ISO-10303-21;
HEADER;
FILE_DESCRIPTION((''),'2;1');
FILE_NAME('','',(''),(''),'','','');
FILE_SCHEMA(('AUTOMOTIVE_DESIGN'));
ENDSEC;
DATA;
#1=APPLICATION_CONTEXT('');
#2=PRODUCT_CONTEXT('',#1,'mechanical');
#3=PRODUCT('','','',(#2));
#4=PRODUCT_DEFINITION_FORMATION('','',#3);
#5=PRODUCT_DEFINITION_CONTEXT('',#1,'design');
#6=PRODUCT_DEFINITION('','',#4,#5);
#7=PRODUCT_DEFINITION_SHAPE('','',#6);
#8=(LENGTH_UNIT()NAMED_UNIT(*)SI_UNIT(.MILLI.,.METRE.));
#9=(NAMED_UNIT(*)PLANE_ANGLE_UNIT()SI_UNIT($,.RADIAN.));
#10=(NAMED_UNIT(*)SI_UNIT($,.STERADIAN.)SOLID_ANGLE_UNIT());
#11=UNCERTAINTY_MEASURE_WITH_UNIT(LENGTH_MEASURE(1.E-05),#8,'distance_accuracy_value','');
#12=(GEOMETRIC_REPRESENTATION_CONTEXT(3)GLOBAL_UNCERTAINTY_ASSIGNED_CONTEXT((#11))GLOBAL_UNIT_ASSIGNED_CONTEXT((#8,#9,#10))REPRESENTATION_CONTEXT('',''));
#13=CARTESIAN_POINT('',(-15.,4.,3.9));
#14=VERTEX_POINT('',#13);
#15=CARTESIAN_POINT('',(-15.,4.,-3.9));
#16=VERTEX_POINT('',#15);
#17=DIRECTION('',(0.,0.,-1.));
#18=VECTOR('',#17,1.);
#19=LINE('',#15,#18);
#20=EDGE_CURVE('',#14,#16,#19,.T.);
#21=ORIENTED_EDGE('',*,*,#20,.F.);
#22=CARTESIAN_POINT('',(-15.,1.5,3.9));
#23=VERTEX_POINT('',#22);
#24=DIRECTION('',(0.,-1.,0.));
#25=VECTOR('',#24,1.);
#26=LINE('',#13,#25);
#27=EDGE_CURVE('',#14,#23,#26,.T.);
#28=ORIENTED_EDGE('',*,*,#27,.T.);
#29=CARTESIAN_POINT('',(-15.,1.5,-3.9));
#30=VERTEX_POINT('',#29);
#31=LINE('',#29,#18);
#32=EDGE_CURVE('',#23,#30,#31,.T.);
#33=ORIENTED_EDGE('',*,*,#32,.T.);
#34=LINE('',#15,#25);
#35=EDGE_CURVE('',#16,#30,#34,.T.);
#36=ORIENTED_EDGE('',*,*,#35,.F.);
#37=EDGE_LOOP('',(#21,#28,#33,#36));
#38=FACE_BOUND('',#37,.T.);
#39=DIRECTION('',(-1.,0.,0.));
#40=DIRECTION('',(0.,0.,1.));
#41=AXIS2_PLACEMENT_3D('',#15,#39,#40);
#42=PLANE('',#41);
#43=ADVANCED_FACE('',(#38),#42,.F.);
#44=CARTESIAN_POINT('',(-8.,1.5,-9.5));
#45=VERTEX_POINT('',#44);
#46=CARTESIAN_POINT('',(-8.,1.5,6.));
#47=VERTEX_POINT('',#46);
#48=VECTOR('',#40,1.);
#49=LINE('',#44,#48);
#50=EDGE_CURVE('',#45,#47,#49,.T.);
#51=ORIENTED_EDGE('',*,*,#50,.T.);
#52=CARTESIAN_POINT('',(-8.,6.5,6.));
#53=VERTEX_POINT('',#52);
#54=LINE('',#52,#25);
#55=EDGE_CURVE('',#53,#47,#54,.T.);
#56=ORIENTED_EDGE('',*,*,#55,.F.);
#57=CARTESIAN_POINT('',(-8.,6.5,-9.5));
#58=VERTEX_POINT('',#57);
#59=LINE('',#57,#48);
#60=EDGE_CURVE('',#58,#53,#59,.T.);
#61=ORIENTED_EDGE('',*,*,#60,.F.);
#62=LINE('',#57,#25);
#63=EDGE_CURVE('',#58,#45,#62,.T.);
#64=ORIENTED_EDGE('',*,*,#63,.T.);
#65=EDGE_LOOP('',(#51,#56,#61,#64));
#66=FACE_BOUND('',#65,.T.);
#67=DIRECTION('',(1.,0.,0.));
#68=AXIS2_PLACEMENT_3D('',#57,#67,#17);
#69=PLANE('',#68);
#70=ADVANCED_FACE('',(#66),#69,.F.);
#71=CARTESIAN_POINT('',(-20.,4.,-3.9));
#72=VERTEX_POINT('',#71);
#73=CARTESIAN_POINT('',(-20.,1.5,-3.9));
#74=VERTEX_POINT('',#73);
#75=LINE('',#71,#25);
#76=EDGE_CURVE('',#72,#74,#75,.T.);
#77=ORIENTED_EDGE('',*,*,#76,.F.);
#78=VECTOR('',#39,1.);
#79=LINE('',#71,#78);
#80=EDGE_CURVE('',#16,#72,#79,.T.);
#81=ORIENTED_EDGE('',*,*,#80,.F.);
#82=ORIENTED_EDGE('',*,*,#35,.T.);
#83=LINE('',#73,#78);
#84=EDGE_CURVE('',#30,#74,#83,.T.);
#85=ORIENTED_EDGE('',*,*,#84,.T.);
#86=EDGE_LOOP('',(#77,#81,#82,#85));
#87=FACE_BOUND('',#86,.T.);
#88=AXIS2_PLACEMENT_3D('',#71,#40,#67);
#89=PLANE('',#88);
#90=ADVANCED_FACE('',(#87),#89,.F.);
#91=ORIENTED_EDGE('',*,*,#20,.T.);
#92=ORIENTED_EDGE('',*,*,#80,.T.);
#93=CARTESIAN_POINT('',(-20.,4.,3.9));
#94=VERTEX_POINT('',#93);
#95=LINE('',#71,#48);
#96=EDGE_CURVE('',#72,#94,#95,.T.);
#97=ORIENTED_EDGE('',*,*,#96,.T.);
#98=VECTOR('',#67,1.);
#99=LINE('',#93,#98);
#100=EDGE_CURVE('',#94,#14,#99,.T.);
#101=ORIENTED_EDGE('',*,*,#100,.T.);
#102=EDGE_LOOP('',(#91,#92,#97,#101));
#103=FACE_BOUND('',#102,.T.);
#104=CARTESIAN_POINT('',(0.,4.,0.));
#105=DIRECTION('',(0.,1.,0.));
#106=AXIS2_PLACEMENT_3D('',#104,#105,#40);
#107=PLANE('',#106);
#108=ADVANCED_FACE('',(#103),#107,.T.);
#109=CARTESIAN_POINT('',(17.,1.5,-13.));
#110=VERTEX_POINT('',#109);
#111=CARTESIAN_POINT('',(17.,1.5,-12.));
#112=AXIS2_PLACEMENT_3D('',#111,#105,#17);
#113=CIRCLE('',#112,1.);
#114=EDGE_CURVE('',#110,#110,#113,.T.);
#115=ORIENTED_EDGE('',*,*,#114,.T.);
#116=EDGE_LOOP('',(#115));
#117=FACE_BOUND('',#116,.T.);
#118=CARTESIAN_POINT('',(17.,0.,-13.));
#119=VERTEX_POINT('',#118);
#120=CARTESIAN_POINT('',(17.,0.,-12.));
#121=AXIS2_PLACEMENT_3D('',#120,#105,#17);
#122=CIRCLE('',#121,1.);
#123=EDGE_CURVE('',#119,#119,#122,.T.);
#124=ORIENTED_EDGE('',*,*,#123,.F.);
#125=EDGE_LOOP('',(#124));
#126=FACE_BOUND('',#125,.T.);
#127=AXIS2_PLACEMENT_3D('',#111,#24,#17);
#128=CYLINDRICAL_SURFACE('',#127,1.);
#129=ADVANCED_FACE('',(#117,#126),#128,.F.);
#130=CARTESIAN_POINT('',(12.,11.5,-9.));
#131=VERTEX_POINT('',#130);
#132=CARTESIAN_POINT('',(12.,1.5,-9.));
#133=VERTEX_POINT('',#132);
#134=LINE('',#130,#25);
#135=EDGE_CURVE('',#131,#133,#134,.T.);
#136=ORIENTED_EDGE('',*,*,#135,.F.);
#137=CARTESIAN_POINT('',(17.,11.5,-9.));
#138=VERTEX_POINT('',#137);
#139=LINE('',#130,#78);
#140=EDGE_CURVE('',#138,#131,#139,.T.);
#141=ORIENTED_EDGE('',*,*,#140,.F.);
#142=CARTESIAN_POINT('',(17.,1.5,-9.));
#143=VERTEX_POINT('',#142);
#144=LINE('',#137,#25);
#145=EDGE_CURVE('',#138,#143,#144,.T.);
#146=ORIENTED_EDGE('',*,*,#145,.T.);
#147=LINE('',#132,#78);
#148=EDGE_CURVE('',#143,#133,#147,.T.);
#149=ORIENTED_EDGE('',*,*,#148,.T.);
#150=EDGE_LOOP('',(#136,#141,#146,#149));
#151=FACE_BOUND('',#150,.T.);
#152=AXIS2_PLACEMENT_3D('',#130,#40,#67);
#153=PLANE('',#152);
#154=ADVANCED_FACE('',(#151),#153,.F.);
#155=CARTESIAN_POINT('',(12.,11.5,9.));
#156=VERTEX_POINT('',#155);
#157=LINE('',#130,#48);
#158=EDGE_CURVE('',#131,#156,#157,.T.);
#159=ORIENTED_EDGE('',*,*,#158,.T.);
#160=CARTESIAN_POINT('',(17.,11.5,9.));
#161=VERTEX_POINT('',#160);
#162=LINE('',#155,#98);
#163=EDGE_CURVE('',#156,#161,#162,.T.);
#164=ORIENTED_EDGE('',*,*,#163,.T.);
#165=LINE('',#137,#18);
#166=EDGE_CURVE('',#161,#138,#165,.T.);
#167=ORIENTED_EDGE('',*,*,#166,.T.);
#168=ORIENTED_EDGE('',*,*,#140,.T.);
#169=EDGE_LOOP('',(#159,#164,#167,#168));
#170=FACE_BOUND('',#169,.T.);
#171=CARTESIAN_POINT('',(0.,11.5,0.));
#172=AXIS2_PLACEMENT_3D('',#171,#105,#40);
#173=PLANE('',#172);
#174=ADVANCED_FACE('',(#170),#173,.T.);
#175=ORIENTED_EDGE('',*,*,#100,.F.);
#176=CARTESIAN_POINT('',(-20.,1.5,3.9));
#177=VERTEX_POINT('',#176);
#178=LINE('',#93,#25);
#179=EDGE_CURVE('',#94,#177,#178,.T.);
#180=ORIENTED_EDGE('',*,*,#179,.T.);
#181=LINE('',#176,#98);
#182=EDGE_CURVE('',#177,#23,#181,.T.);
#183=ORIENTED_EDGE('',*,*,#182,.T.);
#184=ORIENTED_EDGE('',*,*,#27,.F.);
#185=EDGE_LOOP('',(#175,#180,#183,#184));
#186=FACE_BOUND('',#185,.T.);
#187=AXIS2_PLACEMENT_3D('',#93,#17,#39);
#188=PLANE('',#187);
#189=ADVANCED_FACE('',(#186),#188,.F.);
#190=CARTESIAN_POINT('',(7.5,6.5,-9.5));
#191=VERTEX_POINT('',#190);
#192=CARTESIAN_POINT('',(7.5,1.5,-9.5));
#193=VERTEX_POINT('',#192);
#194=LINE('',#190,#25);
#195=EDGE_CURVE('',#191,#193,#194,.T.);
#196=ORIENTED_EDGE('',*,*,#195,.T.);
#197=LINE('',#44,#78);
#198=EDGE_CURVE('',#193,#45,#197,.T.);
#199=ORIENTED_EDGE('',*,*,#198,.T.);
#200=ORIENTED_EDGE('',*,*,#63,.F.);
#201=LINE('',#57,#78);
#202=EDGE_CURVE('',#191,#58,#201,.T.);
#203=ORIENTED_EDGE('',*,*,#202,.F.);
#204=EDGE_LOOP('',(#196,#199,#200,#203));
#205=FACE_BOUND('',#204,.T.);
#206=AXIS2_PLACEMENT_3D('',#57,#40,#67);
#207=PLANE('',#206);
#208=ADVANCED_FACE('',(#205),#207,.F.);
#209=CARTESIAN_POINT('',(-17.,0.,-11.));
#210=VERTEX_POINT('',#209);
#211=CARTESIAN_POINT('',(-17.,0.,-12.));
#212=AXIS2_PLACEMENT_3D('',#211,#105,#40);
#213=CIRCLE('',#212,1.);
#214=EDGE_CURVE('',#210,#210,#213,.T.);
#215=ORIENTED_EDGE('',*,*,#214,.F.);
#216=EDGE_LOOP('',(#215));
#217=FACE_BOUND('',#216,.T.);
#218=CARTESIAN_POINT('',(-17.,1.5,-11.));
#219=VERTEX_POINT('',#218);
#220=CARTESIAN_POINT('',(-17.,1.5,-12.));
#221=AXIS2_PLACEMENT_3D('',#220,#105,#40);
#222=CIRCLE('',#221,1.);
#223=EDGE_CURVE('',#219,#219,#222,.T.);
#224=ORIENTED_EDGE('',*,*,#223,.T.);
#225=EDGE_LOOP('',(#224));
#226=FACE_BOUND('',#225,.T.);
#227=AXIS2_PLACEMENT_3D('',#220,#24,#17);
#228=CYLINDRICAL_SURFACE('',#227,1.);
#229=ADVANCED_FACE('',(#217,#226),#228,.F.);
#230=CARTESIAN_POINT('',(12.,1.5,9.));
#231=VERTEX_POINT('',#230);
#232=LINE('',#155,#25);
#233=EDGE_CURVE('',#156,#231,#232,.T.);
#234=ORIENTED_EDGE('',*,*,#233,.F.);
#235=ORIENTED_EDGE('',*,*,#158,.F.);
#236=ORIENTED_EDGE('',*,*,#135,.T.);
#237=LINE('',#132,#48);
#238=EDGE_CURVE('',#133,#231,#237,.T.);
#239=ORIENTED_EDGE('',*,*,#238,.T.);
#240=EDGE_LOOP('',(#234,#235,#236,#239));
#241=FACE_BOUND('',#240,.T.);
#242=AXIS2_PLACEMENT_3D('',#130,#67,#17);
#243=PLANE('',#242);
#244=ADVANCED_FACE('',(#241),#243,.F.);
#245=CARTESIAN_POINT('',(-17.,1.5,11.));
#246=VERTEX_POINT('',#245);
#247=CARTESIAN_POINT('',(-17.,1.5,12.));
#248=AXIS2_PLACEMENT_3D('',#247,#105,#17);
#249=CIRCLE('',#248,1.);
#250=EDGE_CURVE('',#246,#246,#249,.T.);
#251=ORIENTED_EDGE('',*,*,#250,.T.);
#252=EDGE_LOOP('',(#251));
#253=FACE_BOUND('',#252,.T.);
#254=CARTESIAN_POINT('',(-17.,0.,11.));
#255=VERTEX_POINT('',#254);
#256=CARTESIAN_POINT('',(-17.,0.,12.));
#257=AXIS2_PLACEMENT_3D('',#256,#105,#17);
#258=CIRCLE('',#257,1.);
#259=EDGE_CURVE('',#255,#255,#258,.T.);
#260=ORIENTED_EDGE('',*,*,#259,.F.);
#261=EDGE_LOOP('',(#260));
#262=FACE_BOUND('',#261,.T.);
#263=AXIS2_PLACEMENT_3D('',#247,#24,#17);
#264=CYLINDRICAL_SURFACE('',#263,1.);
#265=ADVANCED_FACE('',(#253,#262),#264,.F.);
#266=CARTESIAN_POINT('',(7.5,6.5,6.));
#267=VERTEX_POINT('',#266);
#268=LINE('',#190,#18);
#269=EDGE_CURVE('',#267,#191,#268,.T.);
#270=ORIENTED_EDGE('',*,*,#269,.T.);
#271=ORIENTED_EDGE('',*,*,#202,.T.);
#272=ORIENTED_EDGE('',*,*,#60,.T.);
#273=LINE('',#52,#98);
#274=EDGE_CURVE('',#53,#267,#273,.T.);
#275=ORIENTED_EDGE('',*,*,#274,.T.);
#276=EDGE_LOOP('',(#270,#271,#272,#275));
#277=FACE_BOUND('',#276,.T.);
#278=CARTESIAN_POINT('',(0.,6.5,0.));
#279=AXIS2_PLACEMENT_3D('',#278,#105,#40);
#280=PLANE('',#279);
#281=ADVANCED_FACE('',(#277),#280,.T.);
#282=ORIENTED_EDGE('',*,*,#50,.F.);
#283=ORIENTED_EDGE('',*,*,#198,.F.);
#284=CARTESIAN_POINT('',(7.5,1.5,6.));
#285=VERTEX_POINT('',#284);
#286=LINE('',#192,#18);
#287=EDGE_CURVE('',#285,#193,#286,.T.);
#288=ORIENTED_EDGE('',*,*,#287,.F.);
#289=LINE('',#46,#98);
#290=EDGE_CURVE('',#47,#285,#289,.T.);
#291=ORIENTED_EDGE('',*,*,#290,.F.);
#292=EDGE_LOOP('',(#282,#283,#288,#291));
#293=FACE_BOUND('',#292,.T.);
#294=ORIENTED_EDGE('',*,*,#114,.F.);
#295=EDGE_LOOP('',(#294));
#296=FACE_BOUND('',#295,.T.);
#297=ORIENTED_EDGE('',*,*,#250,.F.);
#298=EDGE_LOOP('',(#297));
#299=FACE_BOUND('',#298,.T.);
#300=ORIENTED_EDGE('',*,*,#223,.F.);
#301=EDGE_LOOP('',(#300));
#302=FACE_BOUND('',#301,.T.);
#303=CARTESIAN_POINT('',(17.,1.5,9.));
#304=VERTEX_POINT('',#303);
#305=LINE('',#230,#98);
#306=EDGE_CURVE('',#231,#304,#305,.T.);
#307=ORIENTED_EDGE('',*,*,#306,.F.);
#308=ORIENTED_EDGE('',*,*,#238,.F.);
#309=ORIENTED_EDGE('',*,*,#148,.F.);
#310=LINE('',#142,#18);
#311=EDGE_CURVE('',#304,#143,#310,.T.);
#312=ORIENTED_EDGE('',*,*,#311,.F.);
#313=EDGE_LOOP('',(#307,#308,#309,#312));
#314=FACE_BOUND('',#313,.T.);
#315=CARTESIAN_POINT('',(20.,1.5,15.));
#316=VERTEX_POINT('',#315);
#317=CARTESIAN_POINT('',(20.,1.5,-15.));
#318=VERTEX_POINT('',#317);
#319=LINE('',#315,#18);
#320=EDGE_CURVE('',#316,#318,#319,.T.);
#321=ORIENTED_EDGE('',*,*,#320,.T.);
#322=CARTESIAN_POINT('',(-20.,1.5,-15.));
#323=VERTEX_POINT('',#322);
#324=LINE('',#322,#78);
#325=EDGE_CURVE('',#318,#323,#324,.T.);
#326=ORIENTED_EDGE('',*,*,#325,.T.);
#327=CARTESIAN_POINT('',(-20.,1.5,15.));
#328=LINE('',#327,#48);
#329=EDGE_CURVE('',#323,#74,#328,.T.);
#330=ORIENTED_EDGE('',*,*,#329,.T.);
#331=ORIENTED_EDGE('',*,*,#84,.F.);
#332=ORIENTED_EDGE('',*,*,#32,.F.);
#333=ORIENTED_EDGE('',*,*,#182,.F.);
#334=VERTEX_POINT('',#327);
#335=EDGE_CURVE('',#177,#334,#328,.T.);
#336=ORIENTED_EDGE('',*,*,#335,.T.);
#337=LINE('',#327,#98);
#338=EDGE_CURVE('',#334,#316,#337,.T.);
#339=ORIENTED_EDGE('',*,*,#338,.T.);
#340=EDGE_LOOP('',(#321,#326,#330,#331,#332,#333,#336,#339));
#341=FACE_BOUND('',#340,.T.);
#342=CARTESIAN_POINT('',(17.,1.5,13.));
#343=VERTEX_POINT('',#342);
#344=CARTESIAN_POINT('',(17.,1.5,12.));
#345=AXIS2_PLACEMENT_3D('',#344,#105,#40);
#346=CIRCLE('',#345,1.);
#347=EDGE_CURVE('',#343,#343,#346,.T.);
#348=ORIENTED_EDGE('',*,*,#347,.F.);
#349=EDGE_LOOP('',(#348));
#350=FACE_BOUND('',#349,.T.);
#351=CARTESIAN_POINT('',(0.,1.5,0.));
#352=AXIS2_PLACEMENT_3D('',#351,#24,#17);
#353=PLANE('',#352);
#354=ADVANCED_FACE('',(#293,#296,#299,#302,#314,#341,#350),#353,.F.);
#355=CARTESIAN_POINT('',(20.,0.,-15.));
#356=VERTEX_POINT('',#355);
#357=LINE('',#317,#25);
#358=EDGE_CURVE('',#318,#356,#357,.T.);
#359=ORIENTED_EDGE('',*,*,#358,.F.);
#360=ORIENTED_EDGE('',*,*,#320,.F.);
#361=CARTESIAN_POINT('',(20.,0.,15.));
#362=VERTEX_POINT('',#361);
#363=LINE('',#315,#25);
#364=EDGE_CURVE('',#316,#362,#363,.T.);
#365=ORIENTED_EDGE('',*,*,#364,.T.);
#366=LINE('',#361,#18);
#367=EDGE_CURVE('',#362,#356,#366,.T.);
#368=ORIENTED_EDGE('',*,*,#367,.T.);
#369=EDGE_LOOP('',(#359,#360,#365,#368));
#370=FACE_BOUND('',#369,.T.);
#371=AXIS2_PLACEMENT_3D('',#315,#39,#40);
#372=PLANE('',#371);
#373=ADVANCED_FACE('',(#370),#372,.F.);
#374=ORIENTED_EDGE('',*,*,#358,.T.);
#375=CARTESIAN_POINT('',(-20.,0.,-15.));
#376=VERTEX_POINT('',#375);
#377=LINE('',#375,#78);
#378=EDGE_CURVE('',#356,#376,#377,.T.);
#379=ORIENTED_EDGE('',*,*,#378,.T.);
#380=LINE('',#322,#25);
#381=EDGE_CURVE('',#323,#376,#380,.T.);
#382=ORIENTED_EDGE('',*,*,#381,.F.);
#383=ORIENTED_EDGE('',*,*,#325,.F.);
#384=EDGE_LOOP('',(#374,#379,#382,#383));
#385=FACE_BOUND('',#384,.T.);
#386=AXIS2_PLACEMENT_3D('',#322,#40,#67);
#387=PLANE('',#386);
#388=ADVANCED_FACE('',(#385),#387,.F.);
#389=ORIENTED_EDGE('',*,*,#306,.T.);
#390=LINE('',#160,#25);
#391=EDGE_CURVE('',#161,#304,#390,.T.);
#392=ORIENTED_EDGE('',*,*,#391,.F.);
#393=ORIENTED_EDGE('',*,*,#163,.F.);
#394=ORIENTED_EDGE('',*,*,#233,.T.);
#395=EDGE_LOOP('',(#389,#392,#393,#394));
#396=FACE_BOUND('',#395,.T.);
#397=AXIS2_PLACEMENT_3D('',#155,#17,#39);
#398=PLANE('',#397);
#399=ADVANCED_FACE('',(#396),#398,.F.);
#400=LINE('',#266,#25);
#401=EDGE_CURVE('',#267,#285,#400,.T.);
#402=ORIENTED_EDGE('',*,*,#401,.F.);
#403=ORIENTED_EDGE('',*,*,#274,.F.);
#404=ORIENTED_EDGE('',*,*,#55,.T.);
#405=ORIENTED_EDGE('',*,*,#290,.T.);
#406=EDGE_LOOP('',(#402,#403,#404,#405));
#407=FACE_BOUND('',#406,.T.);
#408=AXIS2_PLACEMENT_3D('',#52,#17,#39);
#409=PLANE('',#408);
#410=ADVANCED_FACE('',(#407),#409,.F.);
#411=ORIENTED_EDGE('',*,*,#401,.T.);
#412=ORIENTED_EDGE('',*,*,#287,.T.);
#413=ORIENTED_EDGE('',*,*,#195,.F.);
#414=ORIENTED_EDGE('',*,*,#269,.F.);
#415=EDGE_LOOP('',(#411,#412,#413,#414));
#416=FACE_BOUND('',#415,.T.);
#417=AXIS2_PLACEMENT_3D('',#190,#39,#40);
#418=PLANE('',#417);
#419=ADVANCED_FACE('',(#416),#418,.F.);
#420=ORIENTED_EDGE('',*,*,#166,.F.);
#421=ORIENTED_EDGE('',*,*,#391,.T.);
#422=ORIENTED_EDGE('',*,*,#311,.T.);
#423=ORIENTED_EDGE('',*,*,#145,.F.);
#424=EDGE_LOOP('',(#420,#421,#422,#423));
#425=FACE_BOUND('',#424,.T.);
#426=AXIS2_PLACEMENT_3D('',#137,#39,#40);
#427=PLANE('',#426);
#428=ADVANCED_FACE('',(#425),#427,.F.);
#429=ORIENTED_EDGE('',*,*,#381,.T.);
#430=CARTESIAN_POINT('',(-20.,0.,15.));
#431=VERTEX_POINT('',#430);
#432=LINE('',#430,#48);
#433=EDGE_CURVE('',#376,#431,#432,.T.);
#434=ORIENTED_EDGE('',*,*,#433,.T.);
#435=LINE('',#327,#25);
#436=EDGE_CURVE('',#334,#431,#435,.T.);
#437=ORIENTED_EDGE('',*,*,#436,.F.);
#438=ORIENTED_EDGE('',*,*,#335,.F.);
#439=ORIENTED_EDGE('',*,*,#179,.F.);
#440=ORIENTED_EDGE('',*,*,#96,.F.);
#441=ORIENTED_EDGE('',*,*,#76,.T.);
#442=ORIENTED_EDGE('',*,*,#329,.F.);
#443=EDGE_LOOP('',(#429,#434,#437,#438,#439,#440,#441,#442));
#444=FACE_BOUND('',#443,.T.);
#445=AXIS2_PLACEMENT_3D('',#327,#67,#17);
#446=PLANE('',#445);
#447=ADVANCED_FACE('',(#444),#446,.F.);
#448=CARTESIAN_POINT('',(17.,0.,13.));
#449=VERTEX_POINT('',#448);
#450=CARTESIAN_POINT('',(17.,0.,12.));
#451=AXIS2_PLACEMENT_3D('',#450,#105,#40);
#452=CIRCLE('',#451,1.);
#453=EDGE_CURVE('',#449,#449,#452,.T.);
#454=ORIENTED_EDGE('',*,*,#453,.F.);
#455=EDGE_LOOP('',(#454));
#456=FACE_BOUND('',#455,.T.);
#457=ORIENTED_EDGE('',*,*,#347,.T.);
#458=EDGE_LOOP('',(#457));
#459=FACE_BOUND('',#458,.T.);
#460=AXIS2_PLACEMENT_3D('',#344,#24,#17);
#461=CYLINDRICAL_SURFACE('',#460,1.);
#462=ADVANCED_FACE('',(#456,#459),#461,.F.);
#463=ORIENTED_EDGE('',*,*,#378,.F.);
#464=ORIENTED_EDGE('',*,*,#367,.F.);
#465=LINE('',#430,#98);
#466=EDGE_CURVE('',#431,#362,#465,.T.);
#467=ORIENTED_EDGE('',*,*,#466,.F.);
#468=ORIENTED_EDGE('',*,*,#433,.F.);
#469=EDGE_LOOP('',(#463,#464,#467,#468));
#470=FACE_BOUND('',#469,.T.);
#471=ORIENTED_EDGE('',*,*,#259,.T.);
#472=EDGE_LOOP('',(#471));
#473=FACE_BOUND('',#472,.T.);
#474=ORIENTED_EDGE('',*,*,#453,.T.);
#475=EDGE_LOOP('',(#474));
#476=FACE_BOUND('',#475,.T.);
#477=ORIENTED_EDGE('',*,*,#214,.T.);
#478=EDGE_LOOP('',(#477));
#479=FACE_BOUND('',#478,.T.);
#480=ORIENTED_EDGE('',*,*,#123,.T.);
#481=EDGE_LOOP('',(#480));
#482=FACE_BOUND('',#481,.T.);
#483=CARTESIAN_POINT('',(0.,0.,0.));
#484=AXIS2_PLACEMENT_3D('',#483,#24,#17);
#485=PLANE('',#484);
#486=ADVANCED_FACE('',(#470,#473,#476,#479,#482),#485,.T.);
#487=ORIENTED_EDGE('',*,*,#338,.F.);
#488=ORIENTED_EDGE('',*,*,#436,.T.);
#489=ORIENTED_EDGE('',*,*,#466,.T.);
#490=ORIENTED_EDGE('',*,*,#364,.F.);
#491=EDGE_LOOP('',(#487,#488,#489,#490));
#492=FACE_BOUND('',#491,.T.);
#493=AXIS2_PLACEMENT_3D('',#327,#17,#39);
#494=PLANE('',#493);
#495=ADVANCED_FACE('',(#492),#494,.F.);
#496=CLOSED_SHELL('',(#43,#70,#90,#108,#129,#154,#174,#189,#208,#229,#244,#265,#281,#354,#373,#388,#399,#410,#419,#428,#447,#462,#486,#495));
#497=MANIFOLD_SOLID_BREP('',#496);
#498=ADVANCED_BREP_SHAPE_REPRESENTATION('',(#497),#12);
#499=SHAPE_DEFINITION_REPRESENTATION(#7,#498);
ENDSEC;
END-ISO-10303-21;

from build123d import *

# Parameters (mm, degrees)
SKETCH_1_W      = 40
SKETCH_1_H      = 30
SKETCH_1_R      = 1
EXTRUDE_1_DEPTH = 1.5
SKETCH_2_W      = 5
SKETCH_2_H      = 7.8
EXTRUDE_2_DEPTH = 2.5
SKETCH_3_W      = 15.5
SKETCH_3_H      = 15.5
EXTRUDE_3_DEPTH = 5
SKETCH_4_W      = 5
SKETCH_4_H      = 18
EXTRUDE_4_DEPTH = 10


with BuildPart() as part:
    # 草图1 → 凸台-拉伸1 (new body)
    with BuildSketch(Plane(origin=(0, 0, 0), x_dir=(1, 0, 0), z_dir=(0, 1, 0))):
        Rectangle(SKETCH_1_W, SKETCH_1_H)
        with Locations(Location((-17, 12, 0), (0, 0, 270))):
            Circle(SKETCH_1_R, mode=Mode.SUBTRACT)
        with Locations(Location((17, 12, 0), (0, 0, 90))):
            Circle(SKETCH_1_R, mode=Mode.SUBTRACT)
        with Locations(Location((17, -12, 0), (0, 0, 270))):
            Circle(SKETCH_1_R, mode=Mode.SUBTRACT)
        with Locations(Location((-17, -12, 0), (0, 0, 90))):
            Circle(SKETCH_1_R, mode=Mode.SUBTRACT)
    extrude(amount=EXTRUDE_1_DEPTH)

    # 草图2 → 凸台-拉伸2 (add)
    with BuildSketch(Plane(origin=(0, 1.5, 0), x_dir=(1, 0, 0), z_dir=(0, 1, 0))):
        with Locations((-17.5, 0)):
            Rectangle(SKETCH_2_W, SKETCH_2_H)
    extrude(amount=EXTRUDE_2_DEPTH)

    # 草图3 → 凸台-拉伸3 (add)
    with BuildSketch(Plane(origin=(0, 1.5, 0), x_dir=(1, 0, 0), z_dir=(0, 1, 0))):
        with Locations((-0.25, 1.75)):
            Rectangle(SKETCH_3_W, SKETCH_3_H)
    extrude(amount=EXTRUDE_3_DEPTH)

    # 草图4 → 凸台-拉伸4 (add)
    with BuildSketch(Plane(origin=(0, 1.5, 0), x_dir=(1, 0, 0), z_dir=(0, 1, 0))):
        with Locations((14.5, 0)):
            Rectangle(SKETCH_4_W, SKETCH_4_H)
    extrude(amount=EXTRUDE_4_DEPTH)


solid = part.part
